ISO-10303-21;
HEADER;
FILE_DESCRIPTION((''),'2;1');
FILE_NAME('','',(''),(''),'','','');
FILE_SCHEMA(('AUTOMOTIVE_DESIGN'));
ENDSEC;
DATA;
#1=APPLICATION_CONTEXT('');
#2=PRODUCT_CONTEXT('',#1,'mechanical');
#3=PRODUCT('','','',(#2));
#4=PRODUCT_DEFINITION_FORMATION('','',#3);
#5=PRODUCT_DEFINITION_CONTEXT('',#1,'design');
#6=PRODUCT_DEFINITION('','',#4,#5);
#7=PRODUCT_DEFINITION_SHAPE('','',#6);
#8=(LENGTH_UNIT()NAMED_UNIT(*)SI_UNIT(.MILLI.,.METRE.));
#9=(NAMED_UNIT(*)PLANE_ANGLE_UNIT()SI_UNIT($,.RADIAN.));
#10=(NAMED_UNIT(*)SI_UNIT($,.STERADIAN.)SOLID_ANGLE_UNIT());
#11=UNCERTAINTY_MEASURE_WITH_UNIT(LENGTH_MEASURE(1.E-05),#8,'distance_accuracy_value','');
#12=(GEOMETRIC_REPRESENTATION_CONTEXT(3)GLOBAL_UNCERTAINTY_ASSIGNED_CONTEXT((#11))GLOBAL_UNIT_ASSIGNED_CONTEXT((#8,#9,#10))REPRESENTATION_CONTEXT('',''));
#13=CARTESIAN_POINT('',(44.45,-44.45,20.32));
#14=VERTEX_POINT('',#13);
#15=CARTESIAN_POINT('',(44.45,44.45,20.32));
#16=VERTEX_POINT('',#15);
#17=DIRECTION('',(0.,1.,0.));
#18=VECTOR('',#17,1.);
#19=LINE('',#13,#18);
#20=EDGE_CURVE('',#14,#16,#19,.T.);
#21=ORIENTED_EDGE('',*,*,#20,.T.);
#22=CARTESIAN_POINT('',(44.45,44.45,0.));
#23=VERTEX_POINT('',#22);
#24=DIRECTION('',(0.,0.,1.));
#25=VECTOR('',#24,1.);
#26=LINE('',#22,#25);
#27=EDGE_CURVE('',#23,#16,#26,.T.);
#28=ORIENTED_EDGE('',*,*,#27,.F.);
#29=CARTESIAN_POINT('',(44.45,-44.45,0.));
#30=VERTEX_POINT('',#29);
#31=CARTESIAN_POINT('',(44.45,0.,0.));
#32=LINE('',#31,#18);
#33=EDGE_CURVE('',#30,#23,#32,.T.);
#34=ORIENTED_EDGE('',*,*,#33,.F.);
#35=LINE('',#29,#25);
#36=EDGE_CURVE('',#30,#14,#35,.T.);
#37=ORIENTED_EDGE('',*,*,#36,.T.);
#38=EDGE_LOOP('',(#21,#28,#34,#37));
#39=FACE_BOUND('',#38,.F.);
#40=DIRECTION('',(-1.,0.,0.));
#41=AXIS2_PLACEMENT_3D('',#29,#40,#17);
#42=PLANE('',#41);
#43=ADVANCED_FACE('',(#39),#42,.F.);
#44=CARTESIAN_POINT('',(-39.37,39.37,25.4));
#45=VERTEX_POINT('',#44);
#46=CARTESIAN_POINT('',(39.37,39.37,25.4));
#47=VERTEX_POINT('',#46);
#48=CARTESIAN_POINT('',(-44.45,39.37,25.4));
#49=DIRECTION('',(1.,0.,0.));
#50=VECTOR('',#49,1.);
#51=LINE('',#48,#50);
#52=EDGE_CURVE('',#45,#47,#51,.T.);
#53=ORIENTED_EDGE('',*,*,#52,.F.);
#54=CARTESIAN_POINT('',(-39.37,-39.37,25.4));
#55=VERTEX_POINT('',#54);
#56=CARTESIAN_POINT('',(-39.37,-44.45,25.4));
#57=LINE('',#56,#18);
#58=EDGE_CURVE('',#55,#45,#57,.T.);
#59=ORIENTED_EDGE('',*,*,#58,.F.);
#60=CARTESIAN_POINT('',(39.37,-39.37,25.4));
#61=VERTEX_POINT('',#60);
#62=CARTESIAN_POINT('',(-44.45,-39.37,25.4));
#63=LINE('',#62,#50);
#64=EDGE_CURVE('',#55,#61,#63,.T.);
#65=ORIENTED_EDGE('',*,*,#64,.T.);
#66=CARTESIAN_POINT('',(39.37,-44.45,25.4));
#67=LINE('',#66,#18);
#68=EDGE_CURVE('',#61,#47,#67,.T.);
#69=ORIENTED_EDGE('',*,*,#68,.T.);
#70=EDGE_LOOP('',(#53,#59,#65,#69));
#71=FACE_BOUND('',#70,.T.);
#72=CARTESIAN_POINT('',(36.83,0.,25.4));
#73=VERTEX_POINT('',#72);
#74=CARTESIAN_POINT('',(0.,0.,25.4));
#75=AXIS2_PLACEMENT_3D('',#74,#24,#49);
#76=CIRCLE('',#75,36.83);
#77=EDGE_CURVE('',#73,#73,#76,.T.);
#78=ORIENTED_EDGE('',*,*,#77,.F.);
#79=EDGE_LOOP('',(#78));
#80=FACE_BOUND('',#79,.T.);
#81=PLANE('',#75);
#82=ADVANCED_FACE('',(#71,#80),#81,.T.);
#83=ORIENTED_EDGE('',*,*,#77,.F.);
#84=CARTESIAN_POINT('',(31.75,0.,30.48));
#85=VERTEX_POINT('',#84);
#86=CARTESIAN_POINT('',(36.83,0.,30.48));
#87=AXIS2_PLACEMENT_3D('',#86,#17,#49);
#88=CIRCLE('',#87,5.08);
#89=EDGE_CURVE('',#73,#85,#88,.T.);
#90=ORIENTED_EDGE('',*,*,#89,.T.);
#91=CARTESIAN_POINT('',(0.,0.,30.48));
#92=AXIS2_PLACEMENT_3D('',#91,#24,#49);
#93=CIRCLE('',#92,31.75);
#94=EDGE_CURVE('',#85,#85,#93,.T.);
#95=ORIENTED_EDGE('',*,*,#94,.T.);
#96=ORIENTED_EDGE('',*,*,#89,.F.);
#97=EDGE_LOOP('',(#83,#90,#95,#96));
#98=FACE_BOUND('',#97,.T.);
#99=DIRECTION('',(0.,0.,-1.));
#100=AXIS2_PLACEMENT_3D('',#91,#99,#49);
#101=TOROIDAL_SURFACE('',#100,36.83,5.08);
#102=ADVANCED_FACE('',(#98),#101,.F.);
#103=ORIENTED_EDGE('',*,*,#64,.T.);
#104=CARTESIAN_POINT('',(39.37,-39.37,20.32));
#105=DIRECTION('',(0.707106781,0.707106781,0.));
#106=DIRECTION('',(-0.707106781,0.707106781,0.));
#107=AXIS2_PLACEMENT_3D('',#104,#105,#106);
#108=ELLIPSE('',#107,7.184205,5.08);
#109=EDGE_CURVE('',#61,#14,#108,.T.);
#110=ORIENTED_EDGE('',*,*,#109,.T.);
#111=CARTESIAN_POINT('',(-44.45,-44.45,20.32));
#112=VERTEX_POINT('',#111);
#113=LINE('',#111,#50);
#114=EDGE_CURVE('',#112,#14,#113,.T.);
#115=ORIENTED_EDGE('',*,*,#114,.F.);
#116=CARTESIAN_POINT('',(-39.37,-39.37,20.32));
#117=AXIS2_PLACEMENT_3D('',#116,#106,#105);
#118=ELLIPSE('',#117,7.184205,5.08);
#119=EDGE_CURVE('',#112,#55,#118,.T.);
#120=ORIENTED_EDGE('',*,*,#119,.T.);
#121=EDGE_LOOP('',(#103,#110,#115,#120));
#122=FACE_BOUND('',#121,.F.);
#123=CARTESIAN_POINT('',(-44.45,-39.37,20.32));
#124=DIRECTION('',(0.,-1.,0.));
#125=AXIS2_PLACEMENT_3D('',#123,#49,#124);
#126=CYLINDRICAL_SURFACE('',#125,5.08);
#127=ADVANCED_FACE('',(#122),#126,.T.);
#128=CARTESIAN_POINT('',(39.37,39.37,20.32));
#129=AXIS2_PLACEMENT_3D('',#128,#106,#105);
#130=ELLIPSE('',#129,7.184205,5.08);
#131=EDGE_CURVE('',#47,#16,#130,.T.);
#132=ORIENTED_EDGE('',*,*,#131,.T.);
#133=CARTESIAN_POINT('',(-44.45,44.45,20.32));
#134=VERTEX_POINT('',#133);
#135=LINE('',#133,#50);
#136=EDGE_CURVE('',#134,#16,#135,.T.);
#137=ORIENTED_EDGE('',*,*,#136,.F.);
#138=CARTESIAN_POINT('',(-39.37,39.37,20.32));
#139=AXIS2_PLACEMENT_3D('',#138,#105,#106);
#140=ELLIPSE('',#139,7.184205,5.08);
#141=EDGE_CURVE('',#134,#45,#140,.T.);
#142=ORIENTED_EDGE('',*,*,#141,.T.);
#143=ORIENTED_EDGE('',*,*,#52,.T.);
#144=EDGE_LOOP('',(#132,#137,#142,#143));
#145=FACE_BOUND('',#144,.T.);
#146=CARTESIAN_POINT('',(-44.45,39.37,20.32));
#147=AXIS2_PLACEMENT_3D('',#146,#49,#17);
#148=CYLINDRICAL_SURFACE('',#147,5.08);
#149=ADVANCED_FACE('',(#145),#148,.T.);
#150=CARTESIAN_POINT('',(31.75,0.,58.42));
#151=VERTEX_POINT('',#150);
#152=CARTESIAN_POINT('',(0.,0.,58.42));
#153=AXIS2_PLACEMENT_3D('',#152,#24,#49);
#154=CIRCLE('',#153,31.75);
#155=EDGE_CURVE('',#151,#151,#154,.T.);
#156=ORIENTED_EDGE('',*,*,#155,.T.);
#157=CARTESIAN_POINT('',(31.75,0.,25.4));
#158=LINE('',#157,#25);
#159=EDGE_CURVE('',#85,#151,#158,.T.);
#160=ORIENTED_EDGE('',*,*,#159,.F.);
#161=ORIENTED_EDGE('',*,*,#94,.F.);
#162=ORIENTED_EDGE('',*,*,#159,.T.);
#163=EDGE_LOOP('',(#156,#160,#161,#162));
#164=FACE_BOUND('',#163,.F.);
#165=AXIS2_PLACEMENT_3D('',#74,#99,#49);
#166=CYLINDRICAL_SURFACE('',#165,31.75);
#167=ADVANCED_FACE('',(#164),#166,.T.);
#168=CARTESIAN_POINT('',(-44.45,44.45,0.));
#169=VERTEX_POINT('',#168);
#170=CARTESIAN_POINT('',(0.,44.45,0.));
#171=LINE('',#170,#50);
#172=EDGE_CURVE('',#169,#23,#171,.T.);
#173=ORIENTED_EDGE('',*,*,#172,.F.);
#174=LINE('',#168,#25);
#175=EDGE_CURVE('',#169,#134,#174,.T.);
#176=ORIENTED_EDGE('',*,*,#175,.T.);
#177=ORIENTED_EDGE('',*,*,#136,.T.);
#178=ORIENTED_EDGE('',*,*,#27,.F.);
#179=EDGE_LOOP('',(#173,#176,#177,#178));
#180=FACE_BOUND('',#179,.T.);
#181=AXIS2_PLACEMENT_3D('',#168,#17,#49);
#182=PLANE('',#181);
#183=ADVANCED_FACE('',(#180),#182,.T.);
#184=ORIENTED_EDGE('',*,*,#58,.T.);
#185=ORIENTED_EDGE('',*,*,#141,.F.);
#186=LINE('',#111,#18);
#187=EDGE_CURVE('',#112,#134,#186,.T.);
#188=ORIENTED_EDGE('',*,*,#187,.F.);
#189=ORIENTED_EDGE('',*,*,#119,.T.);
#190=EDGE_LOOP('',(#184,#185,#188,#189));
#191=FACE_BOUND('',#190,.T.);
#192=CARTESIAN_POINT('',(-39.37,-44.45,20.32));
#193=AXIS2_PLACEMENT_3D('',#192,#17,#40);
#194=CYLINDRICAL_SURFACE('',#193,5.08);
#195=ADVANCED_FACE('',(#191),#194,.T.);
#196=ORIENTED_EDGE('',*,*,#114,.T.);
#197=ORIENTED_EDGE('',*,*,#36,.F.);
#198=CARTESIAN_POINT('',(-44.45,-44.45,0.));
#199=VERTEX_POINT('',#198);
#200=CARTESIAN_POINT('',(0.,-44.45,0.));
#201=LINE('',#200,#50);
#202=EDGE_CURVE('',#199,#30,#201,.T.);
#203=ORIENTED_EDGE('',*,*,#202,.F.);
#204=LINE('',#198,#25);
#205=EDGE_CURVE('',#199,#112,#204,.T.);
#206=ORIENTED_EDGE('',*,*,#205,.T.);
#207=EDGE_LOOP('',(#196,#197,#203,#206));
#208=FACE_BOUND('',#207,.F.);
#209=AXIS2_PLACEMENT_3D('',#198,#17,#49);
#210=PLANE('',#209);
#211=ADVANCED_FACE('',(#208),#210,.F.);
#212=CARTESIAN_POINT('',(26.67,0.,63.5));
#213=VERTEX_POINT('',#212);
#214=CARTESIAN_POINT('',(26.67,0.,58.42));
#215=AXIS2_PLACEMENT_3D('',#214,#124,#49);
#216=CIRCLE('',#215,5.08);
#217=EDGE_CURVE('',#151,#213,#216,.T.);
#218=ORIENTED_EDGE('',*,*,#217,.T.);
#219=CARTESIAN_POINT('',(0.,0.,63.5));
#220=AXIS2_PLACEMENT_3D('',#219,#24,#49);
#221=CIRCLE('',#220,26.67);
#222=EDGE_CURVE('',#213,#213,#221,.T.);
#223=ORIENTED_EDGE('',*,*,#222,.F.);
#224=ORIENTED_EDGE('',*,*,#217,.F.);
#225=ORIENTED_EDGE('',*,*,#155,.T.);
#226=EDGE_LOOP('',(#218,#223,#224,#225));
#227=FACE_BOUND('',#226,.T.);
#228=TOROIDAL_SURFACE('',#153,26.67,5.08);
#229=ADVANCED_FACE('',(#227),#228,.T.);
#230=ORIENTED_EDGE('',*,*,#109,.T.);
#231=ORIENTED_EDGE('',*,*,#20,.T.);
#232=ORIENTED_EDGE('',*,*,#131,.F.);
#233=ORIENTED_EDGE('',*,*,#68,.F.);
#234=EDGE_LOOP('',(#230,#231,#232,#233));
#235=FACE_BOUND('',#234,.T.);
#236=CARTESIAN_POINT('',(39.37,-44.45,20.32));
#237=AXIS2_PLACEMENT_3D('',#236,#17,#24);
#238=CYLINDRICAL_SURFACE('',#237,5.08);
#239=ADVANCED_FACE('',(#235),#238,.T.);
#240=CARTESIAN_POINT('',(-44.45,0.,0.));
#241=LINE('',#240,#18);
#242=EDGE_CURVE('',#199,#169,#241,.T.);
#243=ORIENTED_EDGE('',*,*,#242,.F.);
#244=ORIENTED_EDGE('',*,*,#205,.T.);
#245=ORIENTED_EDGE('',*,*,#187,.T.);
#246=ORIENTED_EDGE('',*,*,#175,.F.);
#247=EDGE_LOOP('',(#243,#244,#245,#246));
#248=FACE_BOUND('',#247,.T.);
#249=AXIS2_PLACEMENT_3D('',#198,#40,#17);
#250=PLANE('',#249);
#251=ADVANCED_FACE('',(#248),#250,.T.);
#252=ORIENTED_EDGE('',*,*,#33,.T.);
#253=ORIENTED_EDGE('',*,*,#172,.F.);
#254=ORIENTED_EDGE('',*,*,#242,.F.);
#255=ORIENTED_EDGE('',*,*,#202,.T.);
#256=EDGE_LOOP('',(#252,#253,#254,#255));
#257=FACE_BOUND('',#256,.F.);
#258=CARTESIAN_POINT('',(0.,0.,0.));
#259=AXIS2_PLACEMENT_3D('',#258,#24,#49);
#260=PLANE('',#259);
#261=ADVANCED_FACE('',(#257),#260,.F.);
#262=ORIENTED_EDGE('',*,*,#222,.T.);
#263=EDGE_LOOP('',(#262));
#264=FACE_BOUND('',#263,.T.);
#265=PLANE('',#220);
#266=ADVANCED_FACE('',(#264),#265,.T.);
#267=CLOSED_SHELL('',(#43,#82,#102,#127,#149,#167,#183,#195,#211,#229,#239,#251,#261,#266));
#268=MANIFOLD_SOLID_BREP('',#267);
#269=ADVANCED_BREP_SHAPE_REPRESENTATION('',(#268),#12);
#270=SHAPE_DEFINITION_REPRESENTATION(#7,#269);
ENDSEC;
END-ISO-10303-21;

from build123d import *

# Parameters (mm, degrees)
F0_W     = 88.9
F0_H     = 88.9
F1_DEPTH = 25.4
F2_R     = 31.75
F3_DEPTH = 38.1
F4_R     = 5.08


with BuildPart() as f1:
    # F0 (on Top) → F1 (new body)
    with BuildSketch(Plane.XY):
        Rectangle(F0_W, F0_H)
    extrude(amount=F1_DEPTH)

    # F2 (on face) → F3 (join)
    with BuildSketch(Plane.XY.offset(25.4)):
        Circle(F2_R)
    extrude(amount=F3_DEPTH)

    # F4
    f4_edges = [f1.edges().sort_by_distance(p)[0] for p in [
        (-31.75, 0, 63.5),
        (-31.75, 0, 25.4),
        (44.45, 0, 25.4),
        (0, -44.45, 25.4),
        (-44.45, 0, 25.4),
        (0, 44.45, 25.4),
    ]]
    fillet(f4_edges, radius=F4_R)


solid = f1.part
